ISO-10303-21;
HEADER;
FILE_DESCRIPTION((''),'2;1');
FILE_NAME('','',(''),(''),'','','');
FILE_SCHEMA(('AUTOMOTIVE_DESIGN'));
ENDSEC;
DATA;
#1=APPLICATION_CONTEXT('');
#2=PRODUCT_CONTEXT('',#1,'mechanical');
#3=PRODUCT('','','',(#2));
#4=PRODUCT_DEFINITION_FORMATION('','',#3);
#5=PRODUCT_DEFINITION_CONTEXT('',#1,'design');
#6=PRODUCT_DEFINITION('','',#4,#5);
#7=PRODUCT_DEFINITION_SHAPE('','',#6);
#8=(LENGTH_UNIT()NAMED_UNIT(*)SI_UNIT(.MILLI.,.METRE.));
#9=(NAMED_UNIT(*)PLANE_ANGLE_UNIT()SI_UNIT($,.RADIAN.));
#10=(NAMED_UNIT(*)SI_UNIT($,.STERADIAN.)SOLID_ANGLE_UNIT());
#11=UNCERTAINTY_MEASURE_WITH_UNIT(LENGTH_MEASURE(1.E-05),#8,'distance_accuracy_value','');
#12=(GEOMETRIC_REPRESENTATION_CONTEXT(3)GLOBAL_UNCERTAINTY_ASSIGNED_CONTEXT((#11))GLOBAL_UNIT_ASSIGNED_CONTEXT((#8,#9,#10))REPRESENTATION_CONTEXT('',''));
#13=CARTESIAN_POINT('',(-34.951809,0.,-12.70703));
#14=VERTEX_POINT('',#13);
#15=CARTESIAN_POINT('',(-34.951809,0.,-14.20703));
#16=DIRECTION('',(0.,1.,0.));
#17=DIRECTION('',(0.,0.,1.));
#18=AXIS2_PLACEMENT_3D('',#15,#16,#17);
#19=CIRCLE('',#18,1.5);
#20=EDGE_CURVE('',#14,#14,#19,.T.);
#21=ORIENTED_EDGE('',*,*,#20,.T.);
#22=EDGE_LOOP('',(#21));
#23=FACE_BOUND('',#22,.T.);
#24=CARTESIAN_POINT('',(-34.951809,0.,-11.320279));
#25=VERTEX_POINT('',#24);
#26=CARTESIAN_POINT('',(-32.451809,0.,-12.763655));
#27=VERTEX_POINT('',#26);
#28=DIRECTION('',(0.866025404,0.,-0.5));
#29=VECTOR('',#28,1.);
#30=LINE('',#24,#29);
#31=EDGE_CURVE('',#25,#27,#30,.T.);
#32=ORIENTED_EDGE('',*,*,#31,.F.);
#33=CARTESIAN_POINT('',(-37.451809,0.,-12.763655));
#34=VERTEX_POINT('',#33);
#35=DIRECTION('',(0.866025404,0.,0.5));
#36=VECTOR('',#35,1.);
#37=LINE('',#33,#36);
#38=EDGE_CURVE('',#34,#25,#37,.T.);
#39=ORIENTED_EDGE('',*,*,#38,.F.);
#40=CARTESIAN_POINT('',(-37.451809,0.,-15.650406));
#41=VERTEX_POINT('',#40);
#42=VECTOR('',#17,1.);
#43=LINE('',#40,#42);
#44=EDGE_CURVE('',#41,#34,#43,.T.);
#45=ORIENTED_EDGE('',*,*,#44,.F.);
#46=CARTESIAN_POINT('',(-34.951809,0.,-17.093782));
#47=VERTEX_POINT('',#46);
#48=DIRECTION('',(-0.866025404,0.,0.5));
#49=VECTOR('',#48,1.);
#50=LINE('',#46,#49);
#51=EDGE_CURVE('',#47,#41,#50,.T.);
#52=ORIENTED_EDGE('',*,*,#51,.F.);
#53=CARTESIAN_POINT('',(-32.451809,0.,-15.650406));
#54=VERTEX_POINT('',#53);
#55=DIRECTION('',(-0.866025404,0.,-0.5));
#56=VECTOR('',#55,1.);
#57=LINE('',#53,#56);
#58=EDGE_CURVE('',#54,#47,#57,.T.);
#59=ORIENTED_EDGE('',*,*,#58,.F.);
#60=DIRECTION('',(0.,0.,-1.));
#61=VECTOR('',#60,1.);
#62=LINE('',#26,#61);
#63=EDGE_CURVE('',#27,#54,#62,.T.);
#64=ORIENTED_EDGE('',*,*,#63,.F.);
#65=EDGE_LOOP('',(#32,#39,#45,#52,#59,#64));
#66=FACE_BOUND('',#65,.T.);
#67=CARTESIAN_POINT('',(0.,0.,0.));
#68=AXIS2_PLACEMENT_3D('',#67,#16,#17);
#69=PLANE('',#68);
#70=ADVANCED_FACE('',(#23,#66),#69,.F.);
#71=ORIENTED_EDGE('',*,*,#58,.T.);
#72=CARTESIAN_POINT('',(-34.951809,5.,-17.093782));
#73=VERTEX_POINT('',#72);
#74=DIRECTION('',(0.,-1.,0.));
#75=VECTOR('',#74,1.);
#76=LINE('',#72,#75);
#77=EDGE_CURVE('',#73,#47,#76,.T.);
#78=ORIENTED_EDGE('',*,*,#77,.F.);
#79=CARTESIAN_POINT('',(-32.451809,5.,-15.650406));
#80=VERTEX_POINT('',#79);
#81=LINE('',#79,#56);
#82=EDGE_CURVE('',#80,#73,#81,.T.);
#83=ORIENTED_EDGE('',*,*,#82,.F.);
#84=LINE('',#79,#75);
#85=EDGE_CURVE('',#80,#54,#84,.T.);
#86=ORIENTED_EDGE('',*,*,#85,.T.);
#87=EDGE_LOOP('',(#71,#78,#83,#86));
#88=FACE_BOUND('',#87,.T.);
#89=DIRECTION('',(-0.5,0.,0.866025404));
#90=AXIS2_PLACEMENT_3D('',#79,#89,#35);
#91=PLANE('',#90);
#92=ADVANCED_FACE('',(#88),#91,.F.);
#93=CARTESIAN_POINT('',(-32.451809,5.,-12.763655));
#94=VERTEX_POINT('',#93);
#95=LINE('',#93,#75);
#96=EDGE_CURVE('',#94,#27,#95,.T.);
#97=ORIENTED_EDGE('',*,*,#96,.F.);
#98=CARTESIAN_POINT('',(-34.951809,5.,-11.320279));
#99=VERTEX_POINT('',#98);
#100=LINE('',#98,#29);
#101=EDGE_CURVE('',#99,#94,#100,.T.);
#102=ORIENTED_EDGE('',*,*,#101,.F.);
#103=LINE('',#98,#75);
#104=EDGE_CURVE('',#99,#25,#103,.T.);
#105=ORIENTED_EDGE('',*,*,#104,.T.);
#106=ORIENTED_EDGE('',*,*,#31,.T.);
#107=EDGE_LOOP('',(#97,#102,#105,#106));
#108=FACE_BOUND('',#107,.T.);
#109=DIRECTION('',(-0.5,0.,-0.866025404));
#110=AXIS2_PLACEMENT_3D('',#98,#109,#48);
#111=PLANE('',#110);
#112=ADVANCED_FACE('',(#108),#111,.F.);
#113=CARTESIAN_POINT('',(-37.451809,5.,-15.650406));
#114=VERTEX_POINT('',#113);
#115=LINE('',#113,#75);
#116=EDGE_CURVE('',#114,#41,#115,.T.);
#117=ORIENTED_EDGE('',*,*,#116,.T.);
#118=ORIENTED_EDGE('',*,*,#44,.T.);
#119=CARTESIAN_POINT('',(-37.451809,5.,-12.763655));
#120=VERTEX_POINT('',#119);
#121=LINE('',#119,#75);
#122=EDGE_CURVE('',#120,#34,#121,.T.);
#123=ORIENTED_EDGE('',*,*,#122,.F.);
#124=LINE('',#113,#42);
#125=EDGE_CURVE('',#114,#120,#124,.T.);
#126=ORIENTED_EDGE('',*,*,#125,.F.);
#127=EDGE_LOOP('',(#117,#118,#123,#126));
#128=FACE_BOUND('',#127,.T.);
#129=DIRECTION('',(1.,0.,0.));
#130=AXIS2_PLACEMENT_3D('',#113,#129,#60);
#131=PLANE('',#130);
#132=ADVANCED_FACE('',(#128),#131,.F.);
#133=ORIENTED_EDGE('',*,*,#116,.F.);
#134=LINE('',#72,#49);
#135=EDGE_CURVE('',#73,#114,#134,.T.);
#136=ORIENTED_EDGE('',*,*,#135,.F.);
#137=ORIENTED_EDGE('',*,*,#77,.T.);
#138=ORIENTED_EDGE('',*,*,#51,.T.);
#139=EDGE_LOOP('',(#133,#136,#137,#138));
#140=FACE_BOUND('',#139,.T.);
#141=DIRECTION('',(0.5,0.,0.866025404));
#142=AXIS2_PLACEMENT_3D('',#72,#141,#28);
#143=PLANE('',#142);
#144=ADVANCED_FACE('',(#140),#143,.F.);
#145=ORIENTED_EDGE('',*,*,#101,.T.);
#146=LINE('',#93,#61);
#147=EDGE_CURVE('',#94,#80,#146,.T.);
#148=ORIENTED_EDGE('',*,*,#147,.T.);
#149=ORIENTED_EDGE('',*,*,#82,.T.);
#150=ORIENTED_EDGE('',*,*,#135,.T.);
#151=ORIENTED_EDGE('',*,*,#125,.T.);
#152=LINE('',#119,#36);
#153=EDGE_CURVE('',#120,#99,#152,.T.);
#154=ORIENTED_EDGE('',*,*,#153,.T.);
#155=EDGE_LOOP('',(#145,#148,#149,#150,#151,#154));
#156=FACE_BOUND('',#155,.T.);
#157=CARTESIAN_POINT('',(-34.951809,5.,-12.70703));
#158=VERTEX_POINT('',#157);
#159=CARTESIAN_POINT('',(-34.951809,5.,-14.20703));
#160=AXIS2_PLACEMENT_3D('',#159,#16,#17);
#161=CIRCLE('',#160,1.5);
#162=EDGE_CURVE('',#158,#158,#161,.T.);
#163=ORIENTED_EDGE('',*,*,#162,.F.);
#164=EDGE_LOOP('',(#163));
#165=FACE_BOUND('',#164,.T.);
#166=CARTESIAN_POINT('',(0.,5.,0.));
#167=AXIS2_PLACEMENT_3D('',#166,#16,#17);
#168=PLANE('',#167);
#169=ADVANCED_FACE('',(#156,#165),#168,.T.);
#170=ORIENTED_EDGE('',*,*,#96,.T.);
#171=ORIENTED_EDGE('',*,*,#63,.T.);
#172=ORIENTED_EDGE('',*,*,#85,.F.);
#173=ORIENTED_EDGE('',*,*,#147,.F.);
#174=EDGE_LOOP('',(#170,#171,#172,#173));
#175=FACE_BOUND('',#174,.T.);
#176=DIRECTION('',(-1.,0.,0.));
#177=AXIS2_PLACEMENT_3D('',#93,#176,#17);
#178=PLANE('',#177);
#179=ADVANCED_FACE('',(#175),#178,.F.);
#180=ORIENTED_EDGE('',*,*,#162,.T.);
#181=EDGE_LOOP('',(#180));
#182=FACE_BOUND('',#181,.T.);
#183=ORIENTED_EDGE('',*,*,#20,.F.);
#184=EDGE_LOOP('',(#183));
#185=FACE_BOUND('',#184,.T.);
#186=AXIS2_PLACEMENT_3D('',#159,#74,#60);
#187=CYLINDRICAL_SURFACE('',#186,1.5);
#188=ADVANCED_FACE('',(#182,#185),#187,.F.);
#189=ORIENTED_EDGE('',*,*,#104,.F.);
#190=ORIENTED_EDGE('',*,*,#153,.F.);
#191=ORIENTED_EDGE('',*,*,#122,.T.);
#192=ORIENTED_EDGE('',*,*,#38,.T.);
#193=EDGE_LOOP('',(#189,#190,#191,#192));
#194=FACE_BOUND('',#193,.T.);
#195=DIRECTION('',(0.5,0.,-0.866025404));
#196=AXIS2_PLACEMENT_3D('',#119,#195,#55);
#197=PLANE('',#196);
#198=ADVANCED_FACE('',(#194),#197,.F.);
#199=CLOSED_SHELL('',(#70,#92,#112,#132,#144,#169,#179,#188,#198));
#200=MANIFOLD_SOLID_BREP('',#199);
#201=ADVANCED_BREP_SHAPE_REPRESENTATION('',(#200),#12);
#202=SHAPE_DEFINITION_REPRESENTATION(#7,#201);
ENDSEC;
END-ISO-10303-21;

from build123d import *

# Parameters (mm, degrees)
SKETCH1_R           = 1.5
BOSS_EXTRUDE1_DEPTH = 5


with BuildPart() as part:
    # Sketch1 → Boss-Extrude1 (new body)
    with BuildSketch(Plane(origin=(0, 0, 0), x_dir=(1, 0, 0), z_dir=(0, 1, 0))):
        Polygon((-34.951809206, 17.093781707), (-37.451809206, 15.650406034), (-37.451809206, 12.763654688), (-34.951809206, 11.320279015), (-32.451809206, 12.763654688), (-32.451809206, 15.650406034), align=None)
        with Locations((-34.951809206, 14.207030361)):
            Circle(SKETCH1_R, mode=Mode.SUBTRACT)
    extrude(amount=BOSS_EXTRUDE1_DEPTH)


solid = part.part
